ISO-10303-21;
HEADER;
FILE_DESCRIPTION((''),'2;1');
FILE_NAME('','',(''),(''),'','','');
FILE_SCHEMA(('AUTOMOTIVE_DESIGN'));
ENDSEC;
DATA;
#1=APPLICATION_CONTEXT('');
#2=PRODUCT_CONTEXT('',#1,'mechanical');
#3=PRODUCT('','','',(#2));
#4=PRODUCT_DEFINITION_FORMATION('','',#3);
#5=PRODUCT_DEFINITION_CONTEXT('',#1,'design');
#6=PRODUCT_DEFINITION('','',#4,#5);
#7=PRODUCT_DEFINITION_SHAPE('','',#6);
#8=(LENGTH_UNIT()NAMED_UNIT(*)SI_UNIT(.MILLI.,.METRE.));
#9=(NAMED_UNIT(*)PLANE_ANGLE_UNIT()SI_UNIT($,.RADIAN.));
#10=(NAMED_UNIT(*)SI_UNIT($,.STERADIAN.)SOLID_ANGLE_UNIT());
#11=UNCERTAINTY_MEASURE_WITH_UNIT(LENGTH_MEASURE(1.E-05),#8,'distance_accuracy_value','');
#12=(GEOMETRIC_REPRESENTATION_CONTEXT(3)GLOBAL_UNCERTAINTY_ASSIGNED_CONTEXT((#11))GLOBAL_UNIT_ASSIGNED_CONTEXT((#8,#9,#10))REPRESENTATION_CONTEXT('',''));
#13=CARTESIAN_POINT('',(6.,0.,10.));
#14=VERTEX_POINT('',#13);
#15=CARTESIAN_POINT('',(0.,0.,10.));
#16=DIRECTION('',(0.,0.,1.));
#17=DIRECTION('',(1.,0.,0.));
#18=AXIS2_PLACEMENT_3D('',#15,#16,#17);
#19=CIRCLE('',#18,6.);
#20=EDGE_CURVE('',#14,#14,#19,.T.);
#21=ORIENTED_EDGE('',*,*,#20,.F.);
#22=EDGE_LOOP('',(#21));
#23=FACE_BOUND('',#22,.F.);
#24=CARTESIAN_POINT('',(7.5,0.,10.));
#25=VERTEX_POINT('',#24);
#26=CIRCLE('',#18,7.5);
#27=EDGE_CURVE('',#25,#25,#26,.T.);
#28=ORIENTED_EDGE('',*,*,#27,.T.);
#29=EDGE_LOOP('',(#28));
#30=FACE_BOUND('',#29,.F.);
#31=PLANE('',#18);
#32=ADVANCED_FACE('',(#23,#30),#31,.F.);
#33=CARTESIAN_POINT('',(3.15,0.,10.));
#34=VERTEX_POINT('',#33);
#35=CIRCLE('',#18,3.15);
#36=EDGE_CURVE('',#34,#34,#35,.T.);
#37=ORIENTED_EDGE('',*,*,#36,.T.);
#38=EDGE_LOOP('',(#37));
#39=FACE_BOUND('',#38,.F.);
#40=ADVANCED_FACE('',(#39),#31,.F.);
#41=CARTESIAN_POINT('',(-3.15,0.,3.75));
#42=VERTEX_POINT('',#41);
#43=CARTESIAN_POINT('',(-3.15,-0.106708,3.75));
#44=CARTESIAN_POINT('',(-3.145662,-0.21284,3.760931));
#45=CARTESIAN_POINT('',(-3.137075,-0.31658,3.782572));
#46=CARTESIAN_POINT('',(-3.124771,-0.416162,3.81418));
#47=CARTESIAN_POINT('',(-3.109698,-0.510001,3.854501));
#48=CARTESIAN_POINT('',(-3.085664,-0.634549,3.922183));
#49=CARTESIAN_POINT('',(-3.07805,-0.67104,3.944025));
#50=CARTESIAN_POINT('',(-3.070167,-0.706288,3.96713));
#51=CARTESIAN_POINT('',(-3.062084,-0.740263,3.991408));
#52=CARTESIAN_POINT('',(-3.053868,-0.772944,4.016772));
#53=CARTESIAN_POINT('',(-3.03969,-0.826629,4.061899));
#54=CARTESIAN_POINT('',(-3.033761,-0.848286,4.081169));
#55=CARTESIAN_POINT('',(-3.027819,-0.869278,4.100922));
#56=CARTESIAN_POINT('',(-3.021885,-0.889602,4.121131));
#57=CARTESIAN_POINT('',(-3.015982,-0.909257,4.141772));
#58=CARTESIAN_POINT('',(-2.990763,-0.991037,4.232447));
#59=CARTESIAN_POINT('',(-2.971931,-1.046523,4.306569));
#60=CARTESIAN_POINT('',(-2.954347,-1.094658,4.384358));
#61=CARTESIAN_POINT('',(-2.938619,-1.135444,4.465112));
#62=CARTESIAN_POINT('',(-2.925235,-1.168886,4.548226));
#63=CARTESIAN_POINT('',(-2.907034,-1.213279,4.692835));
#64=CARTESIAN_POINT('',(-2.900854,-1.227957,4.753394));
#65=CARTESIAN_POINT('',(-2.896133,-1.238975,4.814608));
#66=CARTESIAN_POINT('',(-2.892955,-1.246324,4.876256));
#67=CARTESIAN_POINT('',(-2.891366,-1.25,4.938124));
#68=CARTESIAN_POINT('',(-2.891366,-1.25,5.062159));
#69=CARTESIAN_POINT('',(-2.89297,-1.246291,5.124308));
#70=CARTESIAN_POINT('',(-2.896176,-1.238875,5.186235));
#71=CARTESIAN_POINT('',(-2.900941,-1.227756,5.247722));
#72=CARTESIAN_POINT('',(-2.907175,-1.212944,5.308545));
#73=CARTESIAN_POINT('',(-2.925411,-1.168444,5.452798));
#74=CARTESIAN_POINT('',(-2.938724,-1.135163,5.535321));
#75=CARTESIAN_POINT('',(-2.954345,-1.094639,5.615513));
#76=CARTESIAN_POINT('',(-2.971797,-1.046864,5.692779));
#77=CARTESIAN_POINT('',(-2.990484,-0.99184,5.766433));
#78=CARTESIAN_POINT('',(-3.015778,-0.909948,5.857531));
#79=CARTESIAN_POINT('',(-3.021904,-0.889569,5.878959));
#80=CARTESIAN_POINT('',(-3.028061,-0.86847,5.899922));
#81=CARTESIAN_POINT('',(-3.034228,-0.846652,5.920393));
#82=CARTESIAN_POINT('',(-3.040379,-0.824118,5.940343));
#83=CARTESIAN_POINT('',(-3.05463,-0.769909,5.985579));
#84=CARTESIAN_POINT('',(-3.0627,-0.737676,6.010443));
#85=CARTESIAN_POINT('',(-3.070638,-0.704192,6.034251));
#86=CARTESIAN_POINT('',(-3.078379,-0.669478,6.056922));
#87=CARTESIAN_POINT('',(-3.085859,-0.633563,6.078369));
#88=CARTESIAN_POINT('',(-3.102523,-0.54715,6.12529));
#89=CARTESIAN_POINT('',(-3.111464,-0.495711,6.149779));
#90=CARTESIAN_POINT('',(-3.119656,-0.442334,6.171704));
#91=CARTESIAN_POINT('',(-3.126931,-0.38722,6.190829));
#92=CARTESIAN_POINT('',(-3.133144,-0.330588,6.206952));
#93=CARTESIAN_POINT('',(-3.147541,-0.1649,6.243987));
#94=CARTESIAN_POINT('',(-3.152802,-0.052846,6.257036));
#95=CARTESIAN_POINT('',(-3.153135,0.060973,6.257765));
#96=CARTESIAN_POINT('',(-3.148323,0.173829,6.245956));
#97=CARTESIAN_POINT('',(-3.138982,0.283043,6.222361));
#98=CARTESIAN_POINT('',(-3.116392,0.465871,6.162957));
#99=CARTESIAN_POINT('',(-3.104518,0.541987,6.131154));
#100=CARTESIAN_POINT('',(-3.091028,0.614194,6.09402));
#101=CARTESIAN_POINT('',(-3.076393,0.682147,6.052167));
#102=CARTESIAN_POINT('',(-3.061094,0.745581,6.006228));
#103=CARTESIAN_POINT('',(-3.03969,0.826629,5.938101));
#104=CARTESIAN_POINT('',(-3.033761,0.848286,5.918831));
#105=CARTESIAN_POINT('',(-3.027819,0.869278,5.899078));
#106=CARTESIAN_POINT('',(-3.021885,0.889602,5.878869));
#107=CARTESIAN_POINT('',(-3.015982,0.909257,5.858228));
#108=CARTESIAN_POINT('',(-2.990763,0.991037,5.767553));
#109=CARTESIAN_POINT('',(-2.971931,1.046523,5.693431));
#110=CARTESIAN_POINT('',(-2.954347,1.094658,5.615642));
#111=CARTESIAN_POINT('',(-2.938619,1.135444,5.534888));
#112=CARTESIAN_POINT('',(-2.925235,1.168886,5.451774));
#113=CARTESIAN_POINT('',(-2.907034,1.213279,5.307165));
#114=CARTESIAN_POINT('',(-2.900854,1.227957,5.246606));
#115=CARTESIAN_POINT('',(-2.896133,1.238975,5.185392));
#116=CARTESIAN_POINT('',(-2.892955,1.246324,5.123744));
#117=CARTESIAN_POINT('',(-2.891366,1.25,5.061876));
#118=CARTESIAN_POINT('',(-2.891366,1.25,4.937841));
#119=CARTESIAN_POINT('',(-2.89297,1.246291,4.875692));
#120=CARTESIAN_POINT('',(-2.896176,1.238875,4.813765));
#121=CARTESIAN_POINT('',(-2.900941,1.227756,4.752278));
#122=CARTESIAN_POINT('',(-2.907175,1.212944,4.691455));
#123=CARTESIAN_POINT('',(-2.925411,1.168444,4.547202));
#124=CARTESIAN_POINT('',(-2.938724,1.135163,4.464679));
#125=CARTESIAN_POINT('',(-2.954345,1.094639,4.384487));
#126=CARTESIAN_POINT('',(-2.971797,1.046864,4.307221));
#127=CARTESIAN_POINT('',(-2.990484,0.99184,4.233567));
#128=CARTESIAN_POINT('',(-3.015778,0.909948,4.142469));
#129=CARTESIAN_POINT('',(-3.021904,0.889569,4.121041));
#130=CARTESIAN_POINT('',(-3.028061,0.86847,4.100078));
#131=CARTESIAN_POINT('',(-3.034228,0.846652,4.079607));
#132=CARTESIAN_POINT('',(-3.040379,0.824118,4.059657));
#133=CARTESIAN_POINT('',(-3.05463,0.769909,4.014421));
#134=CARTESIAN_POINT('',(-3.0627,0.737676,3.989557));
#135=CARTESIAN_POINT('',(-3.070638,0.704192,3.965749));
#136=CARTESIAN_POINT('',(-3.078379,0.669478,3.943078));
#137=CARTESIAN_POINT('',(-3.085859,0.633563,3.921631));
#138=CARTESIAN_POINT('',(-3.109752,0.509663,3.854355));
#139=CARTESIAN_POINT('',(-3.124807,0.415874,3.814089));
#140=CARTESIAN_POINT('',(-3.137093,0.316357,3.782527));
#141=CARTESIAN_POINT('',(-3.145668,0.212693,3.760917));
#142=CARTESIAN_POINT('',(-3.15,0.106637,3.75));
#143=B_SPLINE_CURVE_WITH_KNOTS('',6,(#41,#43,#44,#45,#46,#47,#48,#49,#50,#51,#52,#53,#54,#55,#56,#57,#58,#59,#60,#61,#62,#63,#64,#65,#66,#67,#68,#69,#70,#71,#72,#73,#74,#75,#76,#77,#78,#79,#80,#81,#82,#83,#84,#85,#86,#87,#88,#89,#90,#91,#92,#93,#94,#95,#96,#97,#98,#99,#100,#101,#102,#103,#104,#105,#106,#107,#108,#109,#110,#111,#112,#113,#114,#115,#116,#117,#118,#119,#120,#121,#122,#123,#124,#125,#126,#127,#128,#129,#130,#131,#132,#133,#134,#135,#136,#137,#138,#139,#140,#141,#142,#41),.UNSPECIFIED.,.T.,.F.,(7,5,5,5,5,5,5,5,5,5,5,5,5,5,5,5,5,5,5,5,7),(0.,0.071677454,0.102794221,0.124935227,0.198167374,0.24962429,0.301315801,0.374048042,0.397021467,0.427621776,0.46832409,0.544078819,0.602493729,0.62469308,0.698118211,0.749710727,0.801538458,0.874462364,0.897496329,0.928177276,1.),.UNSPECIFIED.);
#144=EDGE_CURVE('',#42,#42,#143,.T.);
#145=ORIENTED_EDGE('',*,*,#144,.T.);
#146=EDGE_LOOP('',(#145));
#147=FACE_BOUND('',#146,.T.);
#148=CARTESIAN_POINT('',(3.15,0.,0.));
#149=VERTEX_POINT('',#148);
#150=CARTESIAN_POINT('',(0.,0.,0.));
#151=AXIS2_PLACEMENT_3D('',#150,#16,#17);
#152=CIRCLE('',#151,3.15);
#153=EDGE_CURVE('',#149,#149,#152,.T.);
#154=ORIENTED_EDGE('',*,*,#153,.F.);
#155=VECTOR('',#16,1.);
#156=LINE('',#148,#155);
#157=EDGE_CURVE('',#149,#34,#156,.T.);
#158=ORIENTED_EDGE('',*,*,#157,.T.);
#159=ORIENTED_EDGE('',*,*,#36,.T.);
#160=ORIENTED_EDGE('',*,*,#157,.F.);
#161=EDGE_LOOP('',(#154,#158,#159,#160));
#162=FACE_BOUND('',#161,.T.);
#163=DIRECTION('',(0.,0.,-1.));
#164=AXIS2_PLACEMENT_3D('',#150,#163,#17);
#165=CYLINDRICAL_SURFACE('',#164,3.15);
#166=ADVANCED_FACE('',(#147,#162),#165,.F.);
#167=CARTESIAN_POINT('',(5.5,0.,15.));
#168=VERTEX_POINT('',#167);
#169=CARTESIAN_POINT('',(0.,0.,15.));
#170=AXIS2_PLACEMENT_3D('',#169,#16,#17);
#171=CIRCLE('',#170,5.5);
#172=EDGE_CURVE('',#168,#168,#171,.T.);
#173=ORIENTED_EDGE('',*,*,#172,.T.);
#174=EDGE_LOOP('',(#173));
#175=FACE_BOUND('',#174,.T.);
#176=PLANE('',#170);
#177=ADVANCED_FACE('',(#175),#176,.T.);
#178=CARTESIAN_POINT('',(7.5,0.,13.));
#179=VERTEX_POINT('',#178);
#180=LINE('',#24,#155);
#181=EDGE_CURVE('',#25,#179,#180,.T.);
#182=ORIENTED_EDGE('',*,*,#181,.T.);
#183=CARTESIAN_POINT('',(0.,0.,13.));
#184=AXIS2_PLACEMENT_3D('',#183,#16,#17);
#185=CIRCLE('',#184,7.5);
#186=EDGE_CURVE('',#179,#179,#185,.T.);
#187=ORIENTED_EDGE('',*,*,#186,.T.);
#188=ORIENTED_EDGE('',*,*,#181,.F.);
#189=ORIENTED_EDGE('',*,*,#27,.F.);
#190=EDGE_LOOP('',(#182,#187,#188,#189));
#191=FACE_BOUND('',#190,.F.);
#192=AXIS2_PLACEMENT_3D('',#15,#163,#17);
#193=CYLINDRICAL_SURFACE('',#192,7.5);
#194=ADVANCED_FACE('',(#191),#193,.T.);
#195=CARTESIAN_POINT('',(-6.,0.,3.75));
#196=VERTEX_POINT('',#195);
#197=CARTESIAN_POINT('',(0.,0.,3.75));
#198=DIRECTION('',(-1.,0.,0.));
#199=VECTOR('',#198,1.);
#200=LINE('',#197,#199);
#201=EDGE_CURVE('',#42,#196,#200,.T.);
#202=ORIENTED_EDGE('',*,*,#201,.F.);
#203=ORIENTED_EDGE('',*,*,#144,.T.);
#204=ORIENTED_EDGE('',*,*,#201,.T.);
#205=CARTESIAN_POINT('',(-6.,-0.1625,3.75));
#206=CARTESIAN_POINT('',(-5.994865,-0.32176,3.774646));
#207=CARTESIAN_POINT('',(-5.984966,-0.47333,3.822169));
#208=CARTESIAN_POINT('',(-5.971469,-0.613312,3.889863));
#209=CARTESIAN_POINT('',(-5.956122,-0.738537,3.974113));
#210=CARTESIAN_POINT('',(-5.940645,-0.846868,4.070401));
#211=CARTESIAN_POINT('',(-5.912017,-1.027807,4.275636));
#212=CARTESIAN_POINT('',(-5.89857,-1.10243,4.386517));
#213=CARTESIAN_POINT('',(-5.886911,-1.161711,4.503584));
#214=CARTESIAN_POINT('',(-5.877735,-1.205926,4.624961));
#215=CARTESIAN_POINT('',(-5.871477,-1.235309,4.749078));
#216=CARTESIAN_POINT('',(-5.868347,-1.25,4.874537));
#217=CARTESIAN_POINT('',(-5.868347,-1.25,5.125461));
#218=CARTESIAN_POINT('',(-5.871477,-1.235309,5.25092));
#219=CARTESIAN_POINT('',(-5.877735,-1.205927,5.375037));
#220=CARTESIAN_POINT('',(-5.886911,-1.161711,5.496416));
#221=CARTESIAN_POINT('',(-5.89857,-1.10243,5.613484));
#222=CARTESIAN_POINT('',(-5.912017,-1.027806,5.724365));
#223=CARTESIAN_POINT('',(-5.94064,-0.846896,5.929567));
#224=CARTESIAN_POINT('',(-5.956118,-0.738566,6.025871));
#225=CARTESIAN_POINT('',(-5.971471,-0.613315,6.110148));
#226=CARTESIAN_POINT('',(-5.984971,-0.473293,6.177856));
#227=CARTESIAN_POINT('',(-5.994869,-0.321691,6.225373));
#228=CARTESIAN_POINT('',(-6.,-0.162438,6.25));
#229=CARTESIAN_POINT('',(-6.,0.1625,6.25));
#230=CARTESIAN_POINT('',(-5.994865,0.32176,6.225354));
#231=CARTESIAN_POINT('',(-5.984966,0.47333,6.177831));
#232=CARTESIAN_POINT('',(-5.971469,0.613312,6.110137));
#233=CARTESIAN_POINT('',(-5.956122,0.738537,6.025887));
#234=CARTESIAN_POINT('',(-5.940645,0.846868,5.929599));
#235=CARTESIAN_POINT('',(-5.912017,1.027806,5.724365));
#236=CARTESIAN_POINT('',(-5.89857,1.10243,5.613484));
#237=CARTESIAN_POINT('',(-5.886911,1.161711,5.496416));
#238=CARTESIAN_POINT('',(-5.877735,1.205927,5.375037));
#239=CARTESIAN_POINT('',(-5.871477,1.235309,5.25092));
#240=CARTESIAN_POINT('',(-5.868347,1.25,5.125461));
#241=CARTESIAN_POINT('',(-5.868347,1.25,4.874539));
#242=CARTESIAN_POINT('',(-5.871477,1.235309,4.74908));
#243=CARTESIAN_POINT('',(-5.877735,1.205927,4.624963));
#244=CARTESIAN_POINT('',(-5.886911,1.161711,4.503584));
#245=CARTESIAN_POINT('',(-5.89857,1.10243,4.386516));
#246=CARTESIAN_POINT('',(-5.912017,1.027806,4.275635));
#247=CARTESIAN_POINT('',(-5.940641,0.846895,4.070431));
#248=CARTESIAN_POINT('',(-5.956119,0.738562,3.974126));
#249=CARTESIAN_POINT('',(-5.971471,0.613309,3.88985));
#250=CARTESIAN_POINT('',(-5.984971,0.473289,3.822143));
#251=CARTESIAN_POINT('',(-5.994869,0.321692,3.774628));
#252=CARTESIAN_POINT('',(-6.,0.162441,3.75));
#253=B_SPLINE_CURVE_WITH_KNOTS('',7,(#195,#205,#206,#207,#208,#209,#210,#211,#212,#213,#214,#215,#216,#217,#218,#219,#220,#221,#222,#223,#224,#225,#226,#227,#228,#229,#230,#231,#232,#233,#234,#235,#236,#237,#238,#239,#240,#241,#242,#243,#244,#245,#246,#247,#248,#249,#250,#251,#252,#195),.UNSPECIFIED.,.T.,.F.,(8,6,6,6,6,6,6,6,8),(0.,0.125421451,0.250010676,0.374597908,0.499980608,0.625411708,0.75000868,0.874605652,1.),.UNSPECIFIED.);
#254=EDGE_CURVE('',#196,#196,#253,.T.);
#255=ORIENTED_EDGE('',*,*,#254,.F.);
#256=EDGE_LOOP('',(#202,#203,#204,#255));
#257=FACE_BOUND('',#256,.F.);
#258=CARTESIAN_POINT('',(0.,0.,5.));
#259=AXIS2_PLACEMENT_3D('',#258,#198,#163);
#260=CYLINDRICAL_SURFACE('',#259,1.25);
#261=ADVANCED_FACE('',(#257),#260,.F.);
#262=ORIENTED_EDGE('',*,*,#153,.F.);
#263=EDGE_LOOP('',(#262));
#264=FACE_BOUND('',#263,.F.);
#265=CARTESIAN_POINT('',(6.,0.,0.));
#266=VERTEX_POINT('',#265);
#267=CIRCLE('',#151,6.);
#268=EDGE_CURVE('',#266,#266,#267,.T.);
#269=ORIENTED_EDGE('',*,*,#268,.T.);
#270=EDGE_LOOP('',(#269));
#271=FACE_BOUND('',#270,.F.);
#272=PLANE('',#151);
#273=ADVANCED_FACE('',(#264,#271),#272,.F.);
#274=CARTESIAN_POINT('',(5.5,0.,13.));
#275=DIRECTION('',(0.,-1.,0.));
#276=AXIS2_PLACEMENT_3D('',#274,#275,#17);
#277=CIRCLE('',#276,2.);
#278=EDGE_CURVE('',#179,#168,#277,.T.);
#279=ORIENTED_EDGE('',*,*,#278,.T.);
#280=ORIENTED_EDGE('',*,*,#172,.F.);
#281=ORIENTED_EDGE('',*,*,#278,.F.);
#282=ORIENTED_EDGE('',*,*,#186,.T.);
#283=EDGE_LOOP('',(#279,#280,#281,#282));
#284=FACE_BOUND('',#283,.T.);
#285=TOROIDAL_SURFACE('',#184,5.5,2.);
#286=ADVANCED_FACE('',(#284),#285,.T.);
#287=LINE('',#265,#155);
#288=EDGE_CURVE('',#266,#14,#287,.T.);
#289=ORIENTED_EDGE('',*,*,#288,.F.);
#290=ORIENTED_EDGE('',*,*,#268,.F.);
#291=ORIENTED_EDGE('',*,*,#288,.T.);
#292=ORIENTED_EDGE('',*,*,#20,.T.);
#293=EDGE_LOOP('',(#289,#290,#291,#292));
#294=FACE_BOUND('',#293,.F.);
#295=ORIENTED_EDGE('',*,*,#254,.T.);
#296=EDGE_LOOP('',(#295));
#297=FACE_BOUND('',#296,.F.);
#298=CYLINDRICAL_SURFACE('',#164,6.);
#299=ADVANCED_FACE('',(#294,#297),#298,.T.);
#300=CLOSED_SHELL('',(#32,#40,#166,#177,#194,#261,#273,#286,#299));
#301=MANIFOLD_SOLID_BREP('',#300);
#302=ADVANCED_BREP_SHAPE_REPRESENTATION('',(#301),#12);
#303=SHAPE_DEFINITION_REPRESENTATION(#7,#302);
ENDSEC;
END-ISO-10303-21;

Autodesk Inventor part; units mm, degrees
ref_plane "YZ Plane" through (0, 0, 0) normal (1, 0, 0) x (0, 1, 0)
ref_plane "XZ Plane" through (0, 0, 0) normal (0, 1, 0) x (-1, 0, 0)
ref_plane "XY Plane" through (0, 0, 0) normal (0, 0, 1) x (1, 0, 0)
sketch "Sketch1" plane through (0, 0, 0) normal (0, 0, 1) x (1, 0, 0)
  circle A0 centre (0, 0) radius 3.15
  circle A1 centre (0, 0) radius 6
  dimension "d0" = 6.3
  dimension "d1" = 12
extrude "Extrusion1" add sketch "Sketch1" along normal blind 10
sketch "Sketch2" plane through (0, 0, 10) normal (0, 0, 1) x (1, 0, 0)
  circle A0 centre (0, 0) radius 7.5
  dimension "d4" = 15
extrude "Extrusion2" add sketch "Sketch2" along normal blind 5
fillet "Fillet1" radius 2 1 edges at (-7.5, 0, 15)
sketch "Sketch3" plane through (0, 0, 0) normal (1, 0, 0) x (0, 1, 0)
  line L0 (6, 0) -> (-6, 0) projected
  point P0 (0, 0)
  point P1 (0, 5)
  dimension "d8" = 5
hole "Hole1" at (0, 0, 5) direction (-1, 0, 0) diameter 2.5 end through all
properties part number "10-06-012 Joistic"
